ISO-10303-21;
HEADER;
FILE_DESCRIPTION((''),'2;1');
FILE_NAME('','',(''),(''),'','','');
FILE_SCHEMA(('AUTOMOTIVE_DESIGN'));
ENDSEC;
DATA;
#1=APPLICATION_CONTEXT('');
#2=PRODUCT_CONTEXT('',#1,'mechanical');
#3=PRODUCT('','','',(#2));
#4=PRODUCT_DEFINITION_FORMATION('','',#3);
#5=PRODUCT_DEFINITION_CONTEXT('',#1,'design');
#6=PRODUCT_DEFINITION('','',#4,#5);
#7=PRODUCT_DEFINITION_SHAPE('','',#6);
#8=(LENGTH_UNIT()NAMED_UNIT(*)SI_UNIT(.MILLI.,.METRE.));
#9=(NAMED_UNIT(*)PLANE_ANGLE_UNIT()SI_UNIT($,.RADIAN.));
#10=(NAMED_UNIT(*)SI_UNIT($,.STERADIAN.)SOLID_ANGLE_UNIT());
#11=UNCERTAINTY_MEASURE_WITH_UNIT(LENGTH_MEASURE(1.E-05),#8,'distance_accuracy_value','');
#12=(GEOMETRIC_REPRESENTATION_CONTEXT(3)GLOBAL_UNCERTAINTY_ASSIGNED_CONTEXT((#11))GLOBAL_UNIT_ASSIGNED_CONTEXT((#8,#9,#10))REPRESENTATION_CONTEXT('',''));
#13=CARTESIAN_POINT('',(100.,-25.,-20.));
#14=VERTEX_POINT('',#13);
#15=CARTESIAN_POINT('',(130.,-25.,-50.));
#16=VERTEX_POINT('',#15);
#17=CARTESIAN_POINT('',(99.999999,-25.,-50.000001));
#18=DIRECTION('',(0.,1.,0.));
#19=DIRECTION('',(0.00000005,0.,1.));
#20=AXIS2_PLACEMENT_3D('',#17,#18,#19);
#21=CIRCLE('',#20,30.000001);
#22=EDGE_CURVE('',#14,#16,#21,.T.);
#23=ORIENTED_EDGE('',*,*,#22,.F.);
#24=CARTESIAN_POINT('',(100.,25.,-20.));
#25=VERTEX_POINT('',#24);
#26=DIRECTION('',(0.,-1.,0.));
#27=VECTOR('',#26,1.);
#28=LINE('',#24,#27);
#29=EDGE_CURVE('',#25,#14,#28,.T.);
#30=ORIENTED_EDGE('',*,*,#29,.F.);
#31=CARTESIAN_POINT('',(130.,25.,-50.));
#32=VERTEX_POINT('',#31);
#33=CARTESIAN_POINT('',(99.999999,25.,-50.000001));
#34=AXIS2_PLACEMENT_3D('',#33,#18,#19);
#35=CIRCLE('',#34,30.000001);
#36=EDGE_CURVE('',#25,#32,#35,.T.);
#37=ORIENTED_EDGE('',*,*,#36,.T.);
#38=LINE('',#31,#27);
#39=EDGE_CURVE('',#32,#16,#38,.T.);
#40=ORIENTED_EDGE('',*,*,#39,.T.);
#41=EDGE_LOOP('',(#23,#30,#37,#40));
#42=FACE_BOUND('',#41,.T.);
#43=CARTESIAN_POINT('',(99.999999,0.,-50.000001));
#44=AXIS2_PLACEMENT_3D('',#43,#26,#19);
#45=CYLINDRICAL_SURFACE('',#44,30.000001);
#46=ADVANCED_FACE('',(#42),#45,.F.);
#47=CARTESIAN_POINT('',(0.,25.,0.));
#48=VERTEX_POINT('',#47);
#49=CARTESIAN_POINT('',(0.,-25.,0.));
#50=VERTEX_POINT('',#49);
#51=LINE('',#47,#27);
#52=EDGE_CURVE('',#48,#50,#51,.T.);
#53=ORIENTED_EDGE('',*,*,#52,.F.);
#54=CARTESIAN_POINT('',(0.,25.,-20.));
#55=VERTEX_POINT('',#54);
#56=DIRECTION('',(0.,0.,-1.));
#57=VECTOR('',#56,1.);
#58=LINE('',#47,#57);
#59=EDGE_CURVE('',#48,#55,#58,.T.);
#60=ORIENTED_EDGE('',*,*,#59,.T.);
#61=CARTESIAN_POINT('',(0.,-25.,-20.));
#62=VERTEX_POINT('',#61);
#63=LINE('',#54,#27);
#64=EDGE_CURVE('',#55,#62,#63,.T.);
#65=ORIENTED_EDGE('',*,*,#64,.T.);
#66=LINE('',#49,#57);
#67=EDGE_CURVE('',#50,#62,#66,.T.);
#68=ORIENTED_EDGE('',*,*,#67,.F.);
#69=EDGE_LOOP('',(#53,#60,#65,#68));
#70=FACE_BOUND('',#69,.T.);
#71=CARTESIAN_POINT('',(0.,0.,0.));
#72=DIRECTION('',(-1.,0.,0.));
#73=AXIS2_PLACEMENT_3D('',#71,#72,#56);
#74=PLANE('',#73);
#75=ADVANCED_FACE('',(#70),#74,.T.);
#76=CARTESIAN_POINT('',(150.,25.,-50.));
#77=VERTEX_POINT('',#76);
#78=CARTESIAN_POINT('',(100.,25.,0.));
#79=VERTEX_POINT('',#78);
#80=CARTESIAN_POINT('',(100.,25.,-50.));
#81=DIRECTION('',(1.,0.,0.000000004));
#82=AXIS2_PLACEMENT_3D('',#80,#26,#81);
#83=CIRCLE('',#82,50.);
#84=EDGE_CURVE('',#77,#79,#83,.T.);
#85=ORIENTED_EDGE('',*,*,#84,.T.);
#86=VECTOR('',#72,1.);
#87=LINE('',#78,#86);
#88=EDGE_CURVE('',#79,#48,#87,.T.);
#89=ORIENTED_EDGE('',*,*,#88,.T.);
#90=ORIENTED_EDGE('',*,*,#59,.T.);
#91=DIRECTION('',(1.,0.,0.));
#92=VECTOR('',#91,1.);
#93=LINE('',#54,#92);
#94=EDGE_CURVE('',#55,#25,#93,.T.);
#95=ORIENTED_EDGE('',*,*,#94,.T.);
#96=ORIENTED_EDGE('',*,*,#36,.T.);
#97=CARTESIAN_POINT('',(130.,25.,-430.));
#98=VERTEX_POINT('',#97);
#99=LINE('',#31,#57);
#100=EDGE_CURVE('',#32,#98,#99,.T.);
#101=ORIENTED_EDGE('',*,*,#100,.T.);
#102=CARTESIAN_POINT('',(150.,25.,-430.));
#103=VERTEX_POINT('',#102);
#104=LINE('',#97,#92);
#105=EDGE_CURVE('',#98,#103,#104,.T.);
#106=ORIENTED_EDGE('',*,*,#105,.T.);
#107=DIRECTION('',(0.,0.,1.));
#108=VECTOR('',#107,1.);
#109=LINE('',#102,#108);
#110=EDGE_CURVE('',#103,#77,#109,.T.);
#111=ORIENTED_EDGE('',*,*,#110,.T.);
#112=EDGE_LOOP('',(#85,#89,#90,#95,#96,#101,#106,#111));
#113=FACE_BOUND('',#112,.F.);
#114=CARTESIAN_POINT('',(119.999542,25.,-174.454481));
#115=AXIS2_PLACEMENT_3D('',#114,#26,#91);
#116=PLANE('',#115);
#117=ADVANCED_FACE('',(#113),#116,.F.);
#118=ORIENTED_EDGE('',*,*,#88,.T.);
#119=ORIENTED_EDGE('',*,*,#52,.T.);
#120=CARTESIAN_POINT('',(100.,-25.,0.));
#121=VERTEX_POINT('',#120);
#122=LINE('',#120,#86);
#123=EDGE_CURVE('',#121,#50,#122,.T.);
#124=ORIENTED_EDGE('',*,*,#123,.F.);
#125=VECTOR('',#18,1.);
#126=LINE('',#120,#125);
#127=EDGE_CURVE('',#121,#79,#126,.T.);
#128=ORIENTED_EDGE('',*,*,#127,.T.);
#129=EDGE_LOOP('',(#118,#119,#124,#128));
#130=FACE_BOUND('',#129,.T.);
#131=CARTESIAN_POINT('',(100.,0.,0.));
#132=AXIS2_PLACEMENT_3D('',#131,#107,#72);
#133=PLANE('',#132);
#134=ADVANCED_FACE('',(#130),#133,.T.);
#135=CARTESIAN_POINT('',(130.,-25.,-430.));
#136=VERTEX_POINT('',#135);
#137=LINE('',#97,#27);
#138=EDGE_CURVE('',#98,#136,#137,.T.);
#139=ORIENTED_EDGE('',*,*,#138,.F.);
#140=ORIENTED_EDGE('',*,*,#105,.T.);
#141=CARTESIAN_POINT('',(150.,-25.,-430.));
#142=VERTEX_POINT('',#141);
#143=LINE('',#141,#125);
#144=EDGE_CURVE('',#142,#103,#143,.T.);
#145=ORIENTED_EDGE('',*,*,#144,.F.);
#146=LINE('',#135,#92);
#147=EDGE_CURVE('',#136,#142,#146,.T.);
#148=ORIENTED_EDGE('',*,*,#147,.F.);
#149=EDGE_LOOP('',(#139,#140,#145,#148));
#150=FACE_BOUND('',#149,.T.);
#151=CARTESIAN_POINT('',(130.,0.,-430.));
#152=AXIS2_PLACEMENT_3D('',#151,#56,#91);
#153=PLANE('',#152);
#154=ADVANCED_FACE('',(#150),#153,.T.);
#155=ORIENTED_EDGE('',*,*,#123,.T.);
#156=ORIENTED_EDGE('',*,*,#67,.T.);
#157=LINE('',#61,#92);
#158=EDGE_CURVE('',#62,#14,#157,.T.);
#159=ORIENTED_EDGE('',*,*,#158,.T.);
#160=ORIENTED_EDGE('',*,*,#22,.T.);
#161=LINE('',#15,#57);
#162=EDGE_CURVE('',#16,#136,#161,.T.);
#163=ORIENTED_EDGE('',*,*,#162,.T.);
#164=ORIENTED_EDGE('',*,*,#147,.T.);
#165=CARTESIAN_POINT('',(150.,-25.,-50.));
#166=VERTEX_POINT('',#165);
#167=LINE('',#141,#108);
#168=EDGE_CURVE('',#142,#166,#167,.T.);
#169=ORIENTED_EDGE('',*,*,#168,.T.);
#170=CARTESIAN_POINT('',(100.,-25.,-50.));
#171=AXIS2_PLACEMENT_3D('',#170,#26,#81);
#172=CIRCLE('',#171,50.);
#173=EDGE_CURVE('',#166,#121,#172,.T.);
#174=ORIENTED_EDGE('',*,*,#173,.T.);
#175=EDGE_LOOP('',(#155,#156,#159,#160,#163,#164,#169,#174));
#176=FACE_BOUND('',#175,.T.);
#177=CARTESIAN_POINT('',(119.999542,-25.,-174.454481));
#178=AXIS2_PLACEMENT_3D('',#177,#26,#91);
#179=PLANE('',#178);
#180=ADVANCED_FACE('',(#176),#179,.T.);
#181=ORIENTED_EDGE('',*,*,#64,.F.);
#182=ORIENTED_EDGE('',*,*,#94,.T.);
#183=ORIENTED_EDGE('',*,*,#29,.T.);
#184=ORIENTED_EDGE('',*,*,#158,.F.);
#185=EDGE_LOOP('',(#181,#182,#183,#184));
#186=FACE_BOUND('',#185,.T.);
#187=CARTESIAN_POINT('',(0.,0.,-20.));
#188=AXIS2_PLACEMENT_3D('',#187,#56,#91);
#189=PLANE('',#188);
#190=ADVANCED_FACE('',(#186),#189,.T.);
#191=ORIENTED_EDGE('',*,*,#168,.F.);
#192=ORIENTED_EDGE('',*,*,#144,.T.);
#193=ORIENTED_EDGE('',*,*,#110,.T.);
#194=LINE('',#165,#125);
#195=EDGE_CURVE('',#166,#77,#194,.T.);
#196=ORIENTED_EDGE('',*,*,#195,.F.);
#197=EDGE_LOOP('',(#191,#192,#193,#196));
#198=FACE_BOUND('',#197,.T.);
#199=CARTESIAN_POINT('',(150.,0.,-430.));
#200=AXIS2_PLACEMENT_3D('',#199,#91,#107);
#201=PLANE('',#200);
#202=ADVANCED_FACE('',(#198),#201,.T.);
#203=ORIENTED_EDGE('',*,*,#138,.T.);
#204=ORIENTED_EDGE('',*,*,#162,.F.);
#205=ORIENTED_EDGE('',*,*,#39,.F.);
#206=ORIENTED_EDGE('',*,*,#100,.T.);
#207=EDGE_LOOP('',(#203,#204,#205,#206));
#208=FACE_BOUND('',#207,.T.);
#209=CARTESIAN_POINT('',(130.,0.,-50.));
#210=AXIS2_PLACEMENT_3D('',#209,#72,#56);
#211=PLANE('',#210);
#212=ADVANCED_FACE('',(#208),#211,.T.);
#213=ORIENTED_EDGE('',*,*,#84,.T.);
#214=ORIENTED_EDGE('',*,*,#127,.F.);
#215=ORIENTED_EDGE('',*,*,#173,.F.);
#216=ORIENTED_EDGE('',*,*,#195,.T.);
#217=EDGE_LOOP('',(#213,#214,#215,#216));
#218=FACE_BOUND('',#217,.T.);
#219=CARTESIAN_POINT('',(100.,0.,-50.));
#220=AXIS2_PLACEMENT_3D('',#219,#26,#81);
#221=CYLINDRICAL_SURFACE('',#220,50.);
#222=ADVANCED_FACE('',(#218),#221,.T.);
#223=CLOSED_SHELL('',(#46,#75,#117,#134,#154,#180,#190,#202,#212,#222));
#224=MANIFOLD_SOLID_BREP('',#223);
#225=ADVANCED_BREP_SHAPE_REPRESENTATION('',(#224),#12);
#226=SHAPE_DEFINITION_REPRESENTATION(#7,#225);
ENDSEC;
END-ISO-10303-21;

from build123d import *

# Parameters (mm, degrees)
F1_DEPTH      = 25
F1_DEPTH_BACK = 25


with BuildPart() as f1:
    # F0 (on Front) → F1 (new body, two sides)
    with BuildSketch(Plane.XZ) as f1_sk:
        with BuildLine():
            Line((100, 0), (0, 0))
            Line((0, 0), (0, -20))
            Line((0, -20), (100, -20))
            ThreePointArc((100, -20), (121.213203, -28.786797), (130, -50))
            Line((130, -50), (130, -430))
            Line((130, -430), (150, -430))
            Line((150, -430), (150, -50))
            ThreePointArc((150, -50), (135.355339, -14.644661), (100, 0))
        make_face()
    extrude(amount=F1_DEPTH)
    extrude(f1_sk.sketch, amount=-F1_DEPTH_BACK)


solid = f1.part
